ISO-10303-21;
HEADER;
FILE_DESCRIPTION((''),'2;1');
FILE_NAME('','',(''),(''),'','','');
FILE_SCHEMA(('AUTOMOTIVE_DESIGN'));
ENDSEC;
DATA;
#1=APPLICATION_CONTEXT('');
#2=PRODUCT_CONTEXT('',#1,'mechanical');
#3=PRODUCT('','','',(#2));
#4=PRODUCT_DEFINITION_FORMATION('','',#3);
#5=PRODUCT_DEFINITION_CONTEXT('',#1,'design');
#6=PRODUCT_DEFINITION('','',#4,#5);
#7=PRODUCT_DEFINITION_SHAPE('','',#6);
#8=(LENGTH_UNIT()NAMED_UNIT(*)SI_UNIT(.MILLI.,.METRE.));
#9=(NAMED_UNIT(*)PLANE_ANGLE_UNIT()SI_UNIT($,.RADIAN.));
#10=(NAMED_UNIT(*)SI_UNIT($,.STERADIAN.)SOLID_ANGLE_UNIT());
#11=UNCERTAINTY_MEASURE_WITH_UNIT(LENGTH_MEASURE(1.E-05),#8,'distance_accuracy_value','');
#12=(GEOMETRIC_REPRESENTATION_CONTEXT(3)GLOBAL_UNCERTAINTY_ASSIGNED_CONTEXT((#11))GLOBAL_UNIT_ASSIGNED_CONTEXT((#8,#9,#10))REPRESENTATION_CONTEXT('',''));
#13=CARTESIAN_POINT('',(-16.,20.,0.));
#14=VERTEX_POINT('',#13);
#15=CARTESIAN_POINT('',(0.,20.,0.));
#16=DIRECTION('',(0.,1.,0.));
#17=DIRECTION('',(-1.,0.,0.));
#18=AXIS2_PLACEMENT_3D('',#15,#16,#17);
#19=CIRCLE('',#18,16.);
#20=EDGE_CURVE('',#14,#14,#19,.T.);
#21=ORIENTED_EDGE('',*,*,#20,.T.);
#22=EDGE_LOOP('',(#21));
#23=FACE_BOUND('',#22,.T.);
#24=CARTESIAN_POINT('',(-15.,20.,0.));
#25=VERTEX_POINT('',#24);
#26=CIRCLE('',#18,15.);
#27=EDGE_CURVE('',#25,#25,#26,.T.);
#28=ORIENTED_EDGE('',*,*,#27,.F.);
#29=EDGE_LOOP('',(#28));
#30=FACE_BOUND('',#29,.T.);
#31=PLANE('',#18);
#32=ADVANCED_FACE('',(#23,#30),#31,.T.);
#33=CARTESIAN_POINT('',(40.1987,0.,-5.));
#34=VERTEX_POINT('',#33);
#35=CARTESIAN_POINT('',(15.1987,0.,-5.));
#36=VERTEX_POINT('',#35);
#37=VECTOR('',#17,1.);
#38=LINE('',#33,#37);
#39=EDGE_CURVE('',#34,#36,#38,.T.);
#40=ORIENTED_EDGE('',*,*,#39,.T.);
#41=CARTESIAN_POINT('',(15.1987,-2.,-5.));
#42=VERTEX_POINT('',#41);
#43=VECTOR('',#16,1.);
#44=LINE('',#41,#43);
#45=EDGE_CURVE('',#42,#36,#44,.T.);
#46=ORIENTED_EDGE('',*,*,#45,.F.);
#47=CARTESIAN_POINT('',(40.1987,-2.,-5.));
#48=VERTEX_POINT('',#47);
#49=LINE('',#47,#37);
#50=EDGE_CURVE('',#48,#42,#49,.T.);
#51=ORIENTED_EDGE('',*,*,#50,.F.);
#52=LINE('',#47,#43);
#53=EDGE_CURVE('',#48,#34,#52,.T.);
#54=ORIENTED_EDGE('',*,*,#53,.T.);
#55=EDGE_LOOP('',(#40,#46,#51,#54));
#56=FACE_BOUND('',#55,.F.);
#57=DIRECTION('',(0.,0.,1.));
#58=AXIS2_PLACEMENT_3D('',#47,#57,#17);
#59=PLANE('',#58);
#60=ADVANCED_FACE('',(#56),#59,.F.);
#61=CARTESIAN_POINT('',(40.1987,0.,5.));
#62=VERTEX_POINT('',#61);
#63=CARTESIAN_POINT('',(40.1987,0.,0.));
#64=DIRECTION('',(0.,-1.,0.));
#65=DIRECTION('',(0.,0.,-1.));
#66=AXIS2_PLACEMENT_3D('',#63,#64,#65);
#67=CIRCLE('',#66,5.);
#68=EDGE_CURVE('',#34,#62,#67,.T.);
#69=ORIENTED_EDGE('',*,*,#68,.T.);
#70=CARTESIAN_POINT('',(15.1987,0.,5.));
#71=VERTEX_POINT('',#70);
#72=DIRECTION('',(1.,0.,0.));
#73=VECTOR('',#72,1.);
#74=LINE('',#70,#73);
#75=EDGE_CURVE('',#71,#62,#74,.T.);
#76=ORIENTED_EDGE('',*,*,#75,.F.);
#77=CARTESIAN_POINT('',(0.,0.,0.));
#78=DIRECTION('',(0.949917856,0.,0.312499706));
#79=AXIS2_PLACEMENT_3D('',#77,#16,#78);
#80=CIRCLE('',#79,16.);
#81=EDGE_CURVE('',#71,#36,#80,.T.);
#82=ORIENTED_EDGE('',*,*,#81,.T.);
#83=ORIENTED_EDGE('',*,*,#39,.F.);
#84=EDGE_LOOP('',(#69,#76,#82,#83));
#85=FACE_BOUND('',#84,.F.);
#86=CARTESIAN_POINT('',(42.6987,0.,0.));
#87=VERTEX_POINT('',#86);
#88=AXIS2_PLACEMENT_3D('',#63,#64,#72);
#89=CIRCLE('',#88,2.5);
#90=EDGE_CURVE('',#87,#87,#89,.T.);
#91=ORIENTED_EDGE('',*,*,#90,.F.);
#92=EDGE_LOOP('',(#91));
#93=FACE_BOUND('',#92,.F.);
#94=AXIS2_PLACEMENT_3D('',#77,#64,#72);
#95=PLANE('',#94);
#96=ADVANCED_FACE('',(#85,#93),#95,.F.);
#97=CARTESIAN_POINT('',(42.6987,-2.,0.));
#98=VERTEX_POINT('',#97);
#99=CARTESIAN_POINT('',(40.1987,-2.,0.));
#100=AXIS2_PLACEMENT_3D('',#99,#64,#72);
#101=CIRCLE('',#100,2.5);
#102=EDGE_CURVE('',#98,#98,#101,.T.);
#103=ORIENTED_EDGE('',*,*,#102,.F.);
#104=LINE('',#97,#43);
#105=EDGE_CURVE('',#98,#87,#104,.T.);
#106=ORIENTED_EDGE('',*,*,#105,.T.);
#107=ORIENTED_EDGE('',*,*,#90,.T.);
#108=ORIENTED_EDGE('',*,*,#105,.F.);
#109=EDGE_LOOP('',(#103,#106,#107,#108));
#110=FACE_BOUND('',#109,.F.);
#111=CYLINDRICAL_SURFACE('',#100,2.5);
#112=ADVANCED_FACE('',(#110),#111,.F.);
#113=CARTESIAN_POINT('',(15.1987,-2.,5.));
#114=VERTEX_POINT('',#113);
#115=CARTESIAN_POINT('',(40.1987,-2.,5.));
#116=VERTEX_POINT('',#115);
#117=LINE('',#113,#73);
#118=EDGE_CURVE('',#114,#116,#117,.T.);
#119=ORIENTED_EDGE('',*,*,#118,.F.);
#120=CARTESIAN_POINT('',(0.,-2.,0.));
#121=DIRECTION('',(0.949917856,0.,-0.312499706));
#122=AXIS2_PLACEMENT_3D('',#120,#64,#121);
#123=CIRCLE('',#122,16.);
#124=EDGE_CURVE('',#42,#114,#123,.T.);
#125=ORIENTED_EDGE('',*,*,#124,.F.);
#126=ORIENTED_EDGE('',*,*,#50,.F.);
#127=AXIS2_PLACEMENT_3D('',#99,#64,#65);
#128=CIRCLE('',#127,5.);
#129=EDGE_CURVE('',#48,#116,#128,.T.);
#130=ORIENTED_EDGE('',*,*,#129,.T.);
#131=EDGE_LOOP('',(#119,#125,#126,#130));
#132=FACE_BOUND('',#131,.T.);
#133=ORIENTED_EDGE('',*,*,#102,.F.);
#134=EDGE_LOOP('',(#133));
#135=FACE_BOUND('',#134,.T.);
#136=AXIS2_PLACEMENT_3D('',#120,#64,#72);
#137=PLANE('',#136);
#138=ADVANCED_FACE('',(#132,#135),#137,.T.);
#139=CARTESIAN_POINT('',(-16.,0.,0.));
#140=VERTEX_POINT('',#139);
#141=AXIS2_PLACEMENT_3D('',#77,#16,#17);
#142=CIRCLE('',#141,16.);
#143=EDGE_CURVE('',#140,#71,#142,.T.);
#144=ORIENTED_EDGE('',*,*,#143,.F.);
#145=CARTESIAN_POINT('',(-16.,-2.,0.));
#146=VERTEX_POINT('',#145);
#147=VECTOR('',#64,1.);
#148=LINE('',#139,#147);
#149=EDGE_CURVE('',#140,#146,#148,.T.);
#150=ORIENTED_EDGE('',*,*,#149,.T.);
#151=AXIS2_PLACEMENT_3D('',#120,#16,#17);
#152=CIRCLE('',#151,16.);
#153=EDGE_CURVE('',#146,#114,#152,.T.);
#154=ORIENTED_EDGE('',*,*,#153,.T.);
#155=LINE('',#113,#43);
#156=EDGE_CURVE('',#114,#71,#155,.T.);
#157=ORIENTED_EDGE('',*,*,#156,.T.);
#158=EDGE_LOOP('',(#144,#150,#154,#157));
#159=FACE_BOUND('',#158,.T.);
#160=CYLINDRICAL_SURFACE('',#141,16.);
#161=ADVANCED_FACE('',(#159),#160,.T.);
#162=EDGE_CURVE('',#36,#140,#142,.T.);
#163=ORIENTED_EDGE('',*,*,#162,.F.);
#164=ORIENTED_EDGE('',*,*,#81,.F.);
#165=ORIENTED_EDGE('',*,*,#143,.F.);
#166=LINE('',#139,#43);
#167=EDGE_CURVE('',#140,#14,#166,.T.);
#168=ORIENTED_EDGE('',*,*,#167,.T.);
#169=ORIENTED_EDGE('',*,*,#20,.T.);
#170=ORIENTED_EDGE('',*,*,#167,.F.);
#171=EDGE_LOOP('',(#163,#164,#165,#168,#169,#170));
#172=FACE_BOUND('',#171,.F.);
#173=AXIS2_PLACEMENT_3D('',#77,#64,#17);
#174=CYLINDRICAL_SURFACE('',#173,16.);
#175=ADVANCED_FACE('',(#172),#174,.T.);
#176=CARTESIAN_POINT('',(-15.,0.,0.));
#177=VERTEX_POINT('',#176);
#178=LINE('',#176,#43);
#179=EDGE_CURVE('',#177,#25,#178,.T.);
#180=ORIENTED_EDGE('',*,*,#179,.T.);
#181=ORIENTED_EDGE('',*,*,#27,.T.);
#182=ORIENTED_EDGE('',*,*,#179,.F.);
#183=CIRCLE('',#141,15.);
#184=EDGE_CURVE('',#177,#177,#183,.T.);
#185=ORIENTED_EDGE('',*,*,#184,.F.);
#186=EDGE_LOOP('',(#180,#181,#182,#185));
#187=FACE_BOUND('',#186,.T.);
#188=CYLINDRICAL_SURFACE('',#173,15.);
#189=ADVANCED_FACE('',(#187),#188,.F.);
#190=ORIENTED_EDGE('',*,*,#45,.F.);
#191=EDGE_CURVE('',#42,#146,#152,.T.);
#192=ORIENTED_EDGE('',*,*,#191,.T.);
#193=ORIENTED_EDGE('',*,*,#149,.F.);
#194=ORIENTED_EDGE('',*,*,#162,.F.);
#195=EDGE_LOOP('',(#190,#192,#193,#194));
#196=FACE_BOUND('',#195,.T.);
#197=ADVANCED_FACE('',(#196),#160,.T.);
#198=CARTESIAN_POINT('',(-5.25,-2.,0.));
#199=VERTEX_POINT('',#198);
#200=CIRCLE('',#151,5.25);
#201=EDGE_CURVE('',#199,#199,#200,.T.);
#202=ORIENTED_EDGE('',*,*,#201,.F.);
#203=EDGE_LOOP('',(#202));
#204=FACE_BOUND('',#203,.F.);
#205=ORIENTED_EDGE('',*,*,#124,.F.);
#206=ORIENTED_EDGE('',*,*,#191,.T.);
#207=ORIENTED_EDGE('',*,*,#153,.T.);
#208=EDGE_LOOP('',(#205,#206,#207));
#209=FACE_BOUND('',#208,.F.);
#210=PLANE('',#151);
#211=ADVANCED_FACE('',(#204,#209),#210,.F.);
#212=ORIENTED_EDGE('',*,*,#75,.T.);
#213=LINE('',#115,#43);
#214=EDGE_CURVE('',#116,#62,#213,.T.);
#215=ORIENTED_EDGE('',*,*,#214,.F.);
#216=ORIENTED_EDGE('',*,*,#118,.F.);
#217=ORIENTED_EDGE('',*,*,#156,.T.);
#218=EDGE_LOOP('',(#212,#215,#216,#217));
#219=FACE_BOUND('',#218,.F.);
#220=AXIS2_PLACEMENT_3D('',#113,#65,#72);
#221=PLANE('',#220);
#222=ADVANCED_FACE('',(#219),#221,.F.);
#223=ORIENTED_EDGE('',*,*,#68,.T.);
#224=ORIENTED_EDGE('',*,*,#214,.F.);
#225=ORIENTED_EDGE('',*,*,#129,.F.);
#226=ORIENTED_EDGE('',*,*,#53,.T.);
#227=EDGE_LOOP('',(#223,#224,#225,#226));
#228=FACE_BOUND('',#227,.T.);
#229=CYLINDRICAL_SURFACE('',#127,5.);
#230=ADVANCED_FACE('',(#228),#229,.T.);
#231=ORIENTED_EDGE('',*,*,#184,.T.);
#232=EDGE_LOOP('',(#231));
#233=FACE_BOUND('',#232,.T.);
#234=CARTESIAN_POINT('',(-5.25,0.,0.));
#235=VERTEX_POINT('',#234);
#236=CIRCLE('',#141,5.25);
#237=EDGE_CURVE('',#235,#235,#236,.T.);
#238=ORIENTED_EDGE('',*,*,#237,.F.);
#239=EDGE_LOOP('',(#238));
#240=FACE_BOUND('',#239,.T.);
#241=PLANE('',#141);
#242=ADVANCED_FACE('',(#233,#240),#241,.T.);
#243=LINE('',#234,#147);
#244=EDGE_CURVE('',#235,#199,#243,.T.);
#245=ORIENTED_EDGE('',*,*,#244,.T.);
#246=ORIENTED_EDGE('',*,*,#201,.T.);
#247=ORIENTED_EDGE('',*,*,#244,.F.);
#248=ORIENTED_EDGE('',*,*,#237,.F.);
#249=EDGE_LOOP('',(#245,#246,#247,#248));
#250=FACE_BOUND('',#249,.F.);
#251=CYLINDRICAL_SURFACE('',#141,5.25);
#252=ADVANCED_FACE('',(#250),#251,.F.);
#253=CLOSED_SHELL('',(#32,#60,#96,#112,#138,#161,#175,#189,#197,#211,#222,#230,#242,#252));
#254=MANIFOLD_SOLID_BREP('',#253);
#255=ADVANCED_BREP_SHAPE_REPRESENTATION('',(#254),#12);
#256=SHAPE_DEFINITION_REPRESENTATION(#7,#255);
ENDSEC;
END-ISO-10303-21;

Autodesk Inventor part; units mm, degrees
ref_plane "YZ Plane" through (0, 0, 0) normal (1, 0, 0) x (0, 1, 0)
ref_plane "XZ Plane" through (0, 0, 0) normal (0, 1, 0) x (-1, 0, 0)
ref_plane "XY Plane" through (0, 0, 0) normal (0, 0, 1) x (1, 0, 0)
sketch "Sketch1" plane through (0, 0, 0) normal (0, 1, 0) x (-1, 0, 0)
  circle A0 centre (0, 0) radius 15
  circle A1 centre (0, 0) radius 16
  circle A2 centre (0, 0) radius 5.25
  dimension "d0" = 30
  dimension "d1" = 1
  dimension "d6" = 10.5
extrude "Extrusion1" add sketch "Sketch1" along normal blind 20 contours A1
extrude "Extrusion2" add sketch "Sketch1" against normal blind 2 contours A0 | A1
sketch "Sketch3" plane through (0, -2, 0) normal (0, -1, 0) x (1, 0, 0)
  circle A0 centre (0, 0) radius 16 projected
  line L0 (15.1987, 5) -> (40.1987, 5)
  arc A1 (40.1987, -5) -> (40.1987, 5) centre (40.1987, 0) ccw
  line L1 (40.1987, -5) -> (15.1987, -5)
  circle A2 centre (40.1987, 0) radius 2.5
  dimension "d9" = 5
  dimension "d10" = 25
  dimension "d13" = 5
extrude "Extrusion3" add sketch "Sketch3" against normal blind 2 contours A0 L0 A1 L1
properties part number "Pok Mk 3 Yaw Motor Mount"
